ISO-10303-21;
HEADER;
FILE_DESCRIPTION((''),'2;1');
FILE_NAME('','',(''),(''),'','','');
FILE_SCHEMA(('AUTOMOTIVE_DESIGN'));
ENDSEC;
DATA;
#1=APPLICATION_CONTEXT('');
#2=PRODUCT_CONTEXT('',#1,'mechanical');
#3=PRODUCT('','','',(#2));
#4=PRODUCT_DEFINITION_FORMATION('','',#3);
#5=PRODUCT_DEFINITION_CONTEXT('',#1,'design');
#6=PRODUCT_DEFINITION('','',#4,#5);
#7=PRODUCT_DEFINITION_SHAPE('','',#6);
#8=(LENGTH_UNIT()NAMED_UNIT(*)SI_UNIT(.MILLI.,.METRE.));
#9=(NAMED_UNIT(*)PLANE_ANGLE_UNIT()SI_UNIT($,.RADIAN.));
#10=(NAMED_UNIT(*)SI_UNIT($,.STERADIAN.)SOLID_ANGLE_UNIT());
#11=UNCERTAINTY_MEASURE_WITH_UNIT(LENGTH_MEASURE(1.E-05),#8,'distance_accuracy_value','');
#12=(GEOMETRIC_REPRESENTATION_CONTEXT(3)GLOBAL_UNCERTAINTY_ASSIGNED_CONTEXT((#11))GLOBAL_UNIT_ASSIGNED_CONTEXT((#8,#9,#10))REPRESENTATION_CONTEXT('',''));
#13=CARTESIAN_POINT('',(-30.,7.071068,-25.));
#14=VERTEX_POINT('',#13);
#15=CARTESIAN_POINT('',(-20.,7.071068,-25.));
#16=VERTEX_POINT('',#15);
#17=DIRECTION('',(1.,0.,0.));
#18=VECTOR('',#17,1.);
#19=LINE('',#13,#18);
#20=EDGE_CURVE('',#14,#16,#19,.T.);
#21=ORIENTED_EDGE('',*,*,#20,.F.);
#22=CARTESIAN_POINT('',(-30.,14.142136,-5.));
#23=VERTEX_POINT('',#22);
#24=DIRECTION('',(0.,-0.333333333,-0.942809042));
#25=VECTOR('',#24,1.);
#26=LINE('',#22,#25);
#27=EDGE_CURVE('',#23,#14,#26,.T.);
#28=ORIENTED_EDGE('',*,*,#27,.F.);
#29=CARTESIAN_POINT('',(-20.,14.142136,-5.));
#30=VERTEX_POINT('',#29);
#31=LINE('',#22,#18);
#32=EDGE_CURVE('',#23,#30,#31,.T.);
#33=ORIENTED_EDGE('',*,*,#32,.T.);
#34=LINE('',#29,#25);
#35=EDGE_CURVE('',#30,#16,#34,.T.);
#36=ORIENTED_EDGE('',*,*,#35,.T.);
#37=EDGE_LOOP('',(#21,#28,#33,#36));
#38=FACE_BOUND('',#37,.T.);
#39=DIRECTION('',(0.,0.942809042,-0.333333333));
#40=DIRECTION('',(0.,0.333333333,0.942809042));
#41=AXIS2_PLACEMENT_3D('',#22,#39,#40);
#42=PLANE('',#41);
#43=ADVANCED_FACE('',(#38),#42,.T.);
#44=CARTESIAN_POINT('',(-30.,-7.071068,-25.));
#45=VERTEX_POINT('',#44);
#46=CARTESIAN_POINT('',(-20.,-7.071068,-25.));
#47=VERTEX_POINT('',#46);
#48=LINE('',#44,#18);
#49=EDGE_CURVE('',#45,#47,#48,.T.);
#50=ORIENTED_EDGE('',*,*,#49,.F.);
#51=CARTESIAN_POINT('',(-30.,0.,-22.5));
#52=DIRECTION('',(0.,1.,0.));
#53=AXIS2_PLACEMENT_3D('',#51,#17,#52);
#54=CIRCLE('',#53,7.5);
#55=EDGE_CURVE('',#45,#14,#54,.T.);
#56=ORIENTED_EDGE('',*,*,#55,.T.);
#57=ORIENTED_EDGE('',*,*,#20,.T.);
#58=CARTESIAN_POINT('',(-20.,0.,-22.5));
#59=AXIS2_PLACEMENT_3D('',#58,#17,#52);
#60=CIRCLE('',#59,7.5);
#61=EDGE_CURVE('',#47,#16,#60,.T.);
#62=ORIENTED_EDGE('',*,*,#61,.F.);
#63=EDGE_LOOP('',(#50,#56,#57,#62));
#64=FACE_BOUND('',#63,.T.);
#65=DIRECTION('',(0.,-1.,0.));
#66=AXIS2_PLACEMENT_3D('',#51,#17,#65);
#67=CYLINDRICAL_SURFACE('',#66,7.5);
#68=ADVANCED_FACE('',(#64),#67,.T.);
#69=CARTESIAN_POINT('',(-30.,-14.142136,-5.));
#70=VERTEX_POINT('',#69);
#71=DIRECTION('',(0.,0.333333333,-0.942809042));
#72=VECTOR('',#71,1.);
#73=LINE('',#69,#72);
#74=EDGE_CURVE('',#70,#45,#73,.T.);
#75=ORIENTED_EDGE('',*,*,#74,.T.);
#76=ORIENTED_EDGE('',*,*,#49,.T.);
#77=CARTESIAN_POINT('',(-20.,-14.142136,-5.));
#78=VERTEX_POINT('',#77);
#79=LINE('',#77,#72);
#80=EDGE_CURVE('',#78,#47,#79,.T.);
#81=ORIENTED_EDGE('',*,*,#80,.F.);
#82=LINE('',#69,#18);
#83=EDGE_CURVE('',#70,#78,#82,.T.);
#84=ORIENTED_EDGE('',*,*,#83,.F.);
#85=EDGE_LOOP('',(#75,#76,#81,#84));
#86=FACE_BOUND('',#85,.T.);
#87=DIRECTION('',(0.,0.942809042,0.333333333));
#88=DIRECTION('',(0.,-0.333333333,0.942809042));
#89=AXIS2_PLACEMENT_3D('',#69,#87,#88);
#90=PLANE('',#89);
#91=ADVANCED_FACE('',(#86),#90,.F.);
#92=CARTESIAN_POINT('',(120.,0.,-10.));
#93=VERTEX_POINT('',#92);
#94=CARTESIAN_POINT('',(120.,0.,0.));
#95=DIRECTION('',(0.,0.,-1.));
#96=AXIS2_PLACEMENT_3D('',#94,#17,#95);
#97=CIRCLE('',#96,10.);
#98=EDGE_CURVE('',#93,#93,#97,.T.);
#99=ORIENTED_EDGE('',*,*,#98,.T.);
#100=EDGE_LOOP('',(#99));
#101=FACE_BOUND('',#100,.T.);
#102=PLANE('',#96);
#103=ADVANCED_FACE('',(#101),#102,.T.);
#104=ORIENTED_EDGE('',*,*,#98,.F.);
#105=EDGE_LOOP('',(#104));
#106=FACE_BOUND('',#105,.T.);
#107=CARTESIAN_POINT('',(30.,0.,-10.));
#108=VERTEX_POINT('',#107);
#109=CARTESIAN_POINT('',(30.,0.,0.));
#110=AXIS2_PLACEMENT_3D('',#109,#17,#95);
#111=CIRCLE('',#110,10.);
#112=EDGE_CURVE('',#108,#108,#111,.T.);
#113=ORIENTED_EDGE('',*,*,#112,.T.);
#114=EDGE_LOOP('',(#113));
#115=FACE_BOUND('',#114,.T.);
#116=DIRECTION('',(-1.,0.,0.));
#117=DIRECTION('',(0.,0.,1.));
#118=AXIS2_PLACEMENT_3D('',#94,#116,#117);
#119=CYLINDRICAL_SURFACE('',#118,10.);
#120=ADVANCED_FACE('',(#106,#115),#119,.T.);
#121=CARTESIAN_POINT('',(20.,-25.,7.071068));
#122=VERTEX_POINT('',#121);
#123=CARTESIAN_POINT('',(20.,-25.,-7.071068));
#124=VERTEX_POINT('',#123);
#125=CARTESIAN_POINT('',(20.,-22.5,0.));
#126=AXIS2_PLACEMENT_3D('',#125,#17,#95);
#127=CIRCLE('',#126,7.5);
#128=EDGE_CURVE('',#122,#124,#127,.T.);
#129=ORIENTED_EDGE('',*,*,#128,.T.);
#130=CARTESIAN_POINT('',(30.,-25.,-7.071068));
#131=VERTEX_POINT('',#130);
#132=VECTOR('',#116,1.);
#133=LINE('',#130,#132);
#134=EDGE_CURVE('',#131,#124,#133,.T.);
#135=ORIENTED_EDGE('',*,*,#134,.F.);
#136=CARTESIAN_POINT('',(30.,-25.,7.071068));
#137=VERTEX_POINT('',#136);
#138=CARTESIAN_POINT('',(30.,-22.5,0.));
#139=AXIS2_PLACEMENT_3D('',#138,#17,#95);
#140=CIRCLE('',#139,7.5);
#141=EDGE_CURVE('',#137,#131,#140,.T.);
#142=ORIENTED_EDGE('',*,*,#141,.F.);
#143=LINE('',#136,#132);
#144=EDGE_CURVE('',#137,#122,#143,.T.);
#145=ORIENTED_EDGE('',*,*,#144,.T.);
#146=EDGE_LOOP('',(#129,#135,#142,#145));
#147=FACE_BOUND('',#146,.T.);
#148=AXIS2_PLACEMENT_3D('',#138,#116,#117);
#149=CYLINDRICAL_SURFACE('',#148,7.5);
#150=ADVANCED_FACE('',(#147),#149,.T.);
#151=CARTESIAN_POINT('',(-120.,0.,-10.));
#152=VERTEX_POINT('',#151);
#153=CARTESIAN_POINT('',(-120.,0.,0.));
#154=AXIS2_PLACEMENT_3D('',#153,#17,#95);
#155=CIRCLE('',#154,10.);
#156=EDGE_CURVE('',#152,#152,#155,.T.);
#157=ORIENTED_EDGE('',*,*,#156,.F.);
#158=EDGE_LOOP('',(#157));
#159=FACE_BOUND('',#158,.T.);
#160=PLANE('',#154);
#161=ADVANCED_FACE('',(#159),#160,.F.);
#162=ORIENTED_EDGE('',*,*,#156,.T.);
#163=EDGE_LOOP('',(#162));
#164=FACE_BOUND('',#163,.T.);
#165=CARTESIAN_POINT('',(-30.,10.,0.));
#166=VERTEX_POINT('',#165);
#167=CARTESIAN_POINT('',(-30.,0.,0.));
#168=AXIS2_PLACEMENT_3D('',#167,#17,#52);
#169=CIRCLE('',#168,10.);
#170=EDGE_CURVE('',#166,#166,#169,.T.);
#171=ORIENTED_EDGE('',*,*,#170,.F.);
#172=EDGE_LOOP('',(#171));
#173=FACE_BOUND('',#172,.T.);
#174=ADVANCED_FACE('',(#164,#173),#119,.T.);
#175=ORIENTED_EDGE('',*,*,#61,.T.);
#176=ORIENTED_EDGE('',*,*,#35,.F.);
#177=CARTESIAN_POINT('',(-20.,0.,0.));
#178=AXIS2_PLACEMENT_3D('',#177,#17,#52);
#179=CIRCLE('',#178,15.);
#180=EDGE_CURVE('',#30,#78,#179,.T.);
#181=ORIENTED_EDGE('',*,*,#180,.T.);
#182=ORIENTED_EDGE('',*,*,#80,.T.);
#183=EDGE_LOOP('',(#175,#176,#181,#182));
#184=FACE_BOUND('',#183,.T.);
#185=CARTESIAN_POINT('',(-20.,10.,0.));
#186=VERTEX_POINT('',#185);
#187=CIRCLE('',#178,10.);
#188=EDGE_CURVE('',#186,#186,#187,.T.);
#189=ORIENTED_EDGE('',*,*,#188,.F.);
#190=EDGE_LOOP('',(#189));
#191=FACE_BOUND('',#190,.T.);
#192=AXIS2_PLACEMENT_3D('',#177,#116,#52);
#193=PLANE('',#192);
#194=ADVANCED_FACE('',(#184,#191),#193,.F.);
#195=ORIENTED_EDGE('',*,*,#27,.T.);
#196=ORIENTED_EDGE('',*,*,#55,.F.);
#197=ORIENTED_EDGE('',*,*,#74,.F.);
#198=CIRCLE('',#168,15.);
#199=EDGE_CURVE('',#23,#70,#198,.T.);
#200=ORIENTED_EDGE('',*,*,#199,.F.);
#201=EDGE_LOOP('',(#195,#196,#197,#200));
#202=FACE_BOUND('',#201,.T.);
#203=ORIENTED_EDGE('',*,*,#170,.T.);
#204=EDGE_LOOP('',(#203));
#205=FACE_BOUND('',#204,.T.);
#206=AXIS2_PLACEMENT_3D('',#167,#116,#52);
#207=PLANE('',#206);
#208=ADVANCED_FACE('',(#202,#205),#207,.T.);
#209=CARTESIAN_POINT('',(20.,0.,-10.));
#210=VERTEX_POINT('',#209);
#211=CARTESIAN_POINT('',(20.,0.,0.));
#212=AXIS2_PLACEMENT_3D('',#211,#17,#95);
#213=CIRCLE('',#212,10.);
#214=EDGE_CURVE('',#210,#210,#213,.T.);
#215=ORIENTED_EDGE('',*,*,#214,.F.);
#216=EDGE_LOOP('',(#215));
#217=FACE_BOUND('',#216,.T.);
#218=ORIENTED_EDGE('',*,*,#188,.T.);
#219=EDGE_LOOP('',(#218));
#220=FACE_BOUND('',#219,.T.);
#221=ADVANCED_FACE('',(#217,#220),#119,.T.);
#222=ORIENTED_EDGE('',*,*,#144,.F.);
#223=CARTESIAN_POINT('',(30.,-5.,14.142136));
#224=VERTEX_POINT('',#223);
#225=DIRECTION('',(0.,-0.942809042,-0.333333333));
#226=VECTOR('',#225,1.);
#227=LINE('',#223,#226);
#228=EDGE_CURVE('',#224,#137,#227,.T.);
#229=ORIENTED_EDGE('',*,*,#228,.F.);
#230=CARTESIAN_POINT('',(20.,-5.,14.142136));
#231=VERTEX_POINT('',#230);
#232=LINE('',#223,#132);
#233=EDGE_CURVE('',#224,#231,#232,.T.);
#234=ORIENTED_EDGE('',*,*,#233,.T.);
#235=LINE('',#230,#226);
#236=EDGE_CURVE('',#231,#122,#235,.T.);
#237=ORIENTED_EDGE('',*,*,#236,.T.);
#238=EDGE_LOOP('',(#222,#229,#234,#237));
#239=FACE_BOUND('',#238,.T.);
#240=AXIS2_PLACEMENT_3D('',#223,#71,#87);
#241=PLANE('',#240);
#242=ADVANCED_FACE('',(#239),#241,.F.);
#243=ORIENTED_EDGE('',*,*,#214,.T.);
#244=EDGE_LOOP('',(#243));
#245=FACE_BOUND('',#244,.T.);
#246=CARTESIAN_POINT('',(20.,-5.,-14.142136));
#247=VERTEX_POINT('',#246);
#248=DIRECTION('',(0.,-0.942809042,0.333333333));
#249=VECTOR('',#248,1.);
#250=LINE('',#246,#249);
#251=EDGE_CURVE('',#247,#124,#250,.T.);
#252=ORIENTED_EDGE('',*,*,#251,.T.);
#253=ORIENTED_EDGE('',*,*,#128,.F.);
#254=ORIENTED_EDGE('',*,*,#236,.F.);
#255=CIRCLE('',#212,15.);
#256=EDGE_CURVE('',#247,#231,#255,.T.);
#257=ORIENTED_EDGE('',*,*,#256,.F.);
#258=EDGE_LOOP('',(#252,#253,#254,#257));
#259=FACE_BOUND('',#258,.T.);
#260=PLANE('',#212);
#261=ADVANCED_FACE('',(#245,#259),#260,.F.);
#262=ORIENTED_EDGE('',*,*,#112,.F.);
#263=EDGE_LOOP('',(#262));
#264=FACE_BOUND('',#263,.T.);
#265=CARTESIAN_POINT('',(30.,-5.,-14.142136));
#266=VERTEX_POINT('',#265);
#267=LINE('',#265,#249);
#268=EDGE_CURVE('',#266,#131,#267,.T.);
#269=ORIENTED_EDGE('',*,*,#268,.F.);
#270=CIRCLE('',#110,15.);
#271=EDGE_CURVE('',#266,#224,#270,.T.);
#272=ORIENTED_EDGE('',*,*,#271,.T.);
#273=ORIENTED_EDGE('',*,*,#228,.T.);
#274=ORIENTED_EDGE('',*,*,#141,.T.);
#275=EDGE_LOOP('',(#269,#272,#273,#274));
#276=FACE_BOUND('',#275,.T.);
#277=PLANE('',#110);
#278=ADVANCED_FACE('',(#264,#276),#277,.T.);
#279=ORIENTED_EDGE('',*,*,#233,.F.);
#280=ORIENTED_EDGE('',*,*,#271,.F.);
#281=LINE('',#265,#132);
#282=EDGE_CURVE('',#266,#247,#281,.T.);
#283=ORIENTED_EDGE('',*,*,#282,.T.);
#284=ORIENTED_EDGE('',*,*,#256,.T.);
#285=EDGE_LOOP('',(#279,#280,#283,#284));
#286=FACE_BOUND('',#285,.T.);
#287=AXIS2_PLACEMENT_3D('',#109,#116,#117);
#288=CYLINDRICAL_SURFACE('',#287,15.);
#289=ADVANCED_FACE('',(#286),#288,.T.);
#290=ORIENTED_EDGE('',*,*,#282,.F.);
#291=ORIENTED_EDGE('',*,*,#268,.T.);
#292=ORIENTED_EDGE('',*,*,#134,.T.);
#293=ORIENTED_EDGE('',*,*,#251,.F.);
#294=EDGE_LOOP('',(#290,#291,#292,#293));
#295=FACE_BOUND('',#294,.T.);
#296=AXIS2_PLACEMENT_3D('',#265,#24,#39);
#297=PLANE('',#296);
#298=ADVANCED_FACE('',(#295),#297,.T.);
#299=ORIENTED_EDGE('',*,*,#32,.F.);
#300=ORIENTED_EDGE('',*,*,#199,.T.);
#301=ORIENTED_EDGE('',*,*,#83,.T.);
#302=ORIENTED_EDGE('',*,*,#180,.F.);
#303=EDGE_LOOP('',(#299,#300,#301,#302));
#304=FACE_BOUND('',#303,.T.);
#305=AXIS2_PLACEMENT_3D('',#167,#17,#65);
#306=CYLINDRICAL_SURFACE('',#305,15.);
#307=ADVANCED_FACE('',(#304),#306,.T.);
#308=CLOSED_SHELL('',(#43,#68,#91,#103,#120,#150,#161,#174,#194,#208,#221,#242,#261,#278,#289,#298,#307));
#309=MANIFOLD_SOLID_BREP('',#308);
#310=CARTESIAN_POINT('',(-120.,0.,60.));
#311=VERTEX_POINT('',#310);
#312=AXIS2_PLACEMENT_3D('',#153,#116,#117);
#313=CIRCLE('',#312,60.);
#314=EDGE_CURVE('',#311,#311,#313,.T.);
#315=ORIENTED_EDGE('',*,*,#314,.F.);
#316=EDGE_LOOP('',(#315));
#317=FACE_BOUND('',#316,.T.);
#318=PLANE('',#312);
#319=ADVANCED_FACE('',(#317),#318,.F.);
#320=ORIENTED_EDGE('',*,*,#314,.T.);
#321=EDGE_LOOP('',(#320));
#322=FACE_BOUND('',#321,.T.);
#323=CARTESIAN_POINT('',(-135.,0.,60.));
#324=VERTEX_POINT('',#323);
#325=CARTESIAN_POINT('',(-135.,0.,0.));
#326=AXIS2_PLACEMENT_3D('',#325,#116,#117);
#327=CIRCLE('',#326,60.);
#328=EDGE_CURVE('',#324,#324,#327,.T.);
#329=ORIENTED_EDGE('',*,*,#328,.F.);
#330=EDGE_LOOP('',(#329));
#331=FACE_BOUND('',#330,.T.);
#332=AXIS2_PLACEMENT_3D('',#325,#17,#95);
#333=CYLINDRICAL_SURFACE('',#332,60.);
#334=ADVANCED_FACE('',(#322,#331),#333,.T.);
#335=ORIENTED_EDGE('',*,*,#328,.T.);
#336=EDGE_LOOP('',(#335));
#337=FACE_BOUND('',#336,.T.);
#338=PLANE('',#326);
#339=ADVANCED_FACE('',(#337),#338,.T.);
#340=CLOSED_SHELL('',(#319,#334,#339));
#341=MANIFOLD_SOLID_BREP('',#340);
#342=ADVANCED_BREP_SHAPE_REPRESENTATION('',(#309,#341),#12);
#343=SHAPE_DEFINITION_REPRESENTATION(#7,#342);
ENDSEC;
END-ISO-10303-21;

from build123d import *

# Parameters (mm, degrees)
SKETCH1_R             = 10
BOSS_EXTRUDE1_DEPTH   = 120
SKETCH3_R             = 10
BOSS_EXTRUDE2_DEPTH   = 5
BODY_MOVE_COPY1_ANGLE = 90
SKETCH5_R             = 60
BOSS_EXTRUDE3_DEPTH   = 15


with BuildPart() as part:
    # Sketch1 → Boss-Extrude1 (new body, symmetric)
    with BuildSketch(Plane(origin=(0, 0, 0), x_dir=(0, 0, -1), z_dir=(1, 0, 0))):
        Circle(SKETCH1_R)
    extrude(amount=BOSS_EXTRUDE1_DEPTH, both=True)


with BuildPart() as body_2:
    # Sketch3 → Boss-Extrude2 (new body, symmetric)
    with BuildSketch(Plane(origin=(25, 0, 0), x_dir=(0, 0, -1), z_dir=(1, 0, 0))):
        with BuildLine():
            Line((14.142135624, -5), (7.071067812, -25))
            ThreePointArc((7.071067812, -25), (0, -30), (-7.071067812, -25))
            Line((-7.071067812, -25), (-14.142135624, -5))
            ThreePointArc((-14.142135624, -5), (0, 15), (14.142135624, -5))
        make_face()
        Circle(SKETCH3_R, mode=Mode.SUBTRACT)
    extrude(amount=BOSS_EXTRUDE2_DEPTH, both=True)


with BuildPart() as body_3:
    # Mirror1: mirrored copy
    add(body_2.part.mirror(Plane(origin=(0, 0, 0), x_dir=(0, 0, 1), z_dir=(1, 0, 0))))


with BuildPart() as body_3_1:
    # Body-Move/Copy1: moved
    add(body_3.part.rotate(Axis((0, 0, 0), (1, 0, 0)), BODY_MOVE_COPY1_ANGLE))


with BuildPart() as part_1:
    add(part.part)

    # Combine1: union body 2, body 3
    add(body_2.part)
    add(body_3_1.part)


with BuildPart() as body_2_2:
    # Sketch5 → Boss-Extrude3 (new body)
    with BuildSketch(Plane.ZY.offset(120)):
        Circle(SKETCH5_R)
    extrude(amount=BOSS_EXTRUDE3_DEPTH)


solid = Compound([part_1.part, body_2_2.part])
